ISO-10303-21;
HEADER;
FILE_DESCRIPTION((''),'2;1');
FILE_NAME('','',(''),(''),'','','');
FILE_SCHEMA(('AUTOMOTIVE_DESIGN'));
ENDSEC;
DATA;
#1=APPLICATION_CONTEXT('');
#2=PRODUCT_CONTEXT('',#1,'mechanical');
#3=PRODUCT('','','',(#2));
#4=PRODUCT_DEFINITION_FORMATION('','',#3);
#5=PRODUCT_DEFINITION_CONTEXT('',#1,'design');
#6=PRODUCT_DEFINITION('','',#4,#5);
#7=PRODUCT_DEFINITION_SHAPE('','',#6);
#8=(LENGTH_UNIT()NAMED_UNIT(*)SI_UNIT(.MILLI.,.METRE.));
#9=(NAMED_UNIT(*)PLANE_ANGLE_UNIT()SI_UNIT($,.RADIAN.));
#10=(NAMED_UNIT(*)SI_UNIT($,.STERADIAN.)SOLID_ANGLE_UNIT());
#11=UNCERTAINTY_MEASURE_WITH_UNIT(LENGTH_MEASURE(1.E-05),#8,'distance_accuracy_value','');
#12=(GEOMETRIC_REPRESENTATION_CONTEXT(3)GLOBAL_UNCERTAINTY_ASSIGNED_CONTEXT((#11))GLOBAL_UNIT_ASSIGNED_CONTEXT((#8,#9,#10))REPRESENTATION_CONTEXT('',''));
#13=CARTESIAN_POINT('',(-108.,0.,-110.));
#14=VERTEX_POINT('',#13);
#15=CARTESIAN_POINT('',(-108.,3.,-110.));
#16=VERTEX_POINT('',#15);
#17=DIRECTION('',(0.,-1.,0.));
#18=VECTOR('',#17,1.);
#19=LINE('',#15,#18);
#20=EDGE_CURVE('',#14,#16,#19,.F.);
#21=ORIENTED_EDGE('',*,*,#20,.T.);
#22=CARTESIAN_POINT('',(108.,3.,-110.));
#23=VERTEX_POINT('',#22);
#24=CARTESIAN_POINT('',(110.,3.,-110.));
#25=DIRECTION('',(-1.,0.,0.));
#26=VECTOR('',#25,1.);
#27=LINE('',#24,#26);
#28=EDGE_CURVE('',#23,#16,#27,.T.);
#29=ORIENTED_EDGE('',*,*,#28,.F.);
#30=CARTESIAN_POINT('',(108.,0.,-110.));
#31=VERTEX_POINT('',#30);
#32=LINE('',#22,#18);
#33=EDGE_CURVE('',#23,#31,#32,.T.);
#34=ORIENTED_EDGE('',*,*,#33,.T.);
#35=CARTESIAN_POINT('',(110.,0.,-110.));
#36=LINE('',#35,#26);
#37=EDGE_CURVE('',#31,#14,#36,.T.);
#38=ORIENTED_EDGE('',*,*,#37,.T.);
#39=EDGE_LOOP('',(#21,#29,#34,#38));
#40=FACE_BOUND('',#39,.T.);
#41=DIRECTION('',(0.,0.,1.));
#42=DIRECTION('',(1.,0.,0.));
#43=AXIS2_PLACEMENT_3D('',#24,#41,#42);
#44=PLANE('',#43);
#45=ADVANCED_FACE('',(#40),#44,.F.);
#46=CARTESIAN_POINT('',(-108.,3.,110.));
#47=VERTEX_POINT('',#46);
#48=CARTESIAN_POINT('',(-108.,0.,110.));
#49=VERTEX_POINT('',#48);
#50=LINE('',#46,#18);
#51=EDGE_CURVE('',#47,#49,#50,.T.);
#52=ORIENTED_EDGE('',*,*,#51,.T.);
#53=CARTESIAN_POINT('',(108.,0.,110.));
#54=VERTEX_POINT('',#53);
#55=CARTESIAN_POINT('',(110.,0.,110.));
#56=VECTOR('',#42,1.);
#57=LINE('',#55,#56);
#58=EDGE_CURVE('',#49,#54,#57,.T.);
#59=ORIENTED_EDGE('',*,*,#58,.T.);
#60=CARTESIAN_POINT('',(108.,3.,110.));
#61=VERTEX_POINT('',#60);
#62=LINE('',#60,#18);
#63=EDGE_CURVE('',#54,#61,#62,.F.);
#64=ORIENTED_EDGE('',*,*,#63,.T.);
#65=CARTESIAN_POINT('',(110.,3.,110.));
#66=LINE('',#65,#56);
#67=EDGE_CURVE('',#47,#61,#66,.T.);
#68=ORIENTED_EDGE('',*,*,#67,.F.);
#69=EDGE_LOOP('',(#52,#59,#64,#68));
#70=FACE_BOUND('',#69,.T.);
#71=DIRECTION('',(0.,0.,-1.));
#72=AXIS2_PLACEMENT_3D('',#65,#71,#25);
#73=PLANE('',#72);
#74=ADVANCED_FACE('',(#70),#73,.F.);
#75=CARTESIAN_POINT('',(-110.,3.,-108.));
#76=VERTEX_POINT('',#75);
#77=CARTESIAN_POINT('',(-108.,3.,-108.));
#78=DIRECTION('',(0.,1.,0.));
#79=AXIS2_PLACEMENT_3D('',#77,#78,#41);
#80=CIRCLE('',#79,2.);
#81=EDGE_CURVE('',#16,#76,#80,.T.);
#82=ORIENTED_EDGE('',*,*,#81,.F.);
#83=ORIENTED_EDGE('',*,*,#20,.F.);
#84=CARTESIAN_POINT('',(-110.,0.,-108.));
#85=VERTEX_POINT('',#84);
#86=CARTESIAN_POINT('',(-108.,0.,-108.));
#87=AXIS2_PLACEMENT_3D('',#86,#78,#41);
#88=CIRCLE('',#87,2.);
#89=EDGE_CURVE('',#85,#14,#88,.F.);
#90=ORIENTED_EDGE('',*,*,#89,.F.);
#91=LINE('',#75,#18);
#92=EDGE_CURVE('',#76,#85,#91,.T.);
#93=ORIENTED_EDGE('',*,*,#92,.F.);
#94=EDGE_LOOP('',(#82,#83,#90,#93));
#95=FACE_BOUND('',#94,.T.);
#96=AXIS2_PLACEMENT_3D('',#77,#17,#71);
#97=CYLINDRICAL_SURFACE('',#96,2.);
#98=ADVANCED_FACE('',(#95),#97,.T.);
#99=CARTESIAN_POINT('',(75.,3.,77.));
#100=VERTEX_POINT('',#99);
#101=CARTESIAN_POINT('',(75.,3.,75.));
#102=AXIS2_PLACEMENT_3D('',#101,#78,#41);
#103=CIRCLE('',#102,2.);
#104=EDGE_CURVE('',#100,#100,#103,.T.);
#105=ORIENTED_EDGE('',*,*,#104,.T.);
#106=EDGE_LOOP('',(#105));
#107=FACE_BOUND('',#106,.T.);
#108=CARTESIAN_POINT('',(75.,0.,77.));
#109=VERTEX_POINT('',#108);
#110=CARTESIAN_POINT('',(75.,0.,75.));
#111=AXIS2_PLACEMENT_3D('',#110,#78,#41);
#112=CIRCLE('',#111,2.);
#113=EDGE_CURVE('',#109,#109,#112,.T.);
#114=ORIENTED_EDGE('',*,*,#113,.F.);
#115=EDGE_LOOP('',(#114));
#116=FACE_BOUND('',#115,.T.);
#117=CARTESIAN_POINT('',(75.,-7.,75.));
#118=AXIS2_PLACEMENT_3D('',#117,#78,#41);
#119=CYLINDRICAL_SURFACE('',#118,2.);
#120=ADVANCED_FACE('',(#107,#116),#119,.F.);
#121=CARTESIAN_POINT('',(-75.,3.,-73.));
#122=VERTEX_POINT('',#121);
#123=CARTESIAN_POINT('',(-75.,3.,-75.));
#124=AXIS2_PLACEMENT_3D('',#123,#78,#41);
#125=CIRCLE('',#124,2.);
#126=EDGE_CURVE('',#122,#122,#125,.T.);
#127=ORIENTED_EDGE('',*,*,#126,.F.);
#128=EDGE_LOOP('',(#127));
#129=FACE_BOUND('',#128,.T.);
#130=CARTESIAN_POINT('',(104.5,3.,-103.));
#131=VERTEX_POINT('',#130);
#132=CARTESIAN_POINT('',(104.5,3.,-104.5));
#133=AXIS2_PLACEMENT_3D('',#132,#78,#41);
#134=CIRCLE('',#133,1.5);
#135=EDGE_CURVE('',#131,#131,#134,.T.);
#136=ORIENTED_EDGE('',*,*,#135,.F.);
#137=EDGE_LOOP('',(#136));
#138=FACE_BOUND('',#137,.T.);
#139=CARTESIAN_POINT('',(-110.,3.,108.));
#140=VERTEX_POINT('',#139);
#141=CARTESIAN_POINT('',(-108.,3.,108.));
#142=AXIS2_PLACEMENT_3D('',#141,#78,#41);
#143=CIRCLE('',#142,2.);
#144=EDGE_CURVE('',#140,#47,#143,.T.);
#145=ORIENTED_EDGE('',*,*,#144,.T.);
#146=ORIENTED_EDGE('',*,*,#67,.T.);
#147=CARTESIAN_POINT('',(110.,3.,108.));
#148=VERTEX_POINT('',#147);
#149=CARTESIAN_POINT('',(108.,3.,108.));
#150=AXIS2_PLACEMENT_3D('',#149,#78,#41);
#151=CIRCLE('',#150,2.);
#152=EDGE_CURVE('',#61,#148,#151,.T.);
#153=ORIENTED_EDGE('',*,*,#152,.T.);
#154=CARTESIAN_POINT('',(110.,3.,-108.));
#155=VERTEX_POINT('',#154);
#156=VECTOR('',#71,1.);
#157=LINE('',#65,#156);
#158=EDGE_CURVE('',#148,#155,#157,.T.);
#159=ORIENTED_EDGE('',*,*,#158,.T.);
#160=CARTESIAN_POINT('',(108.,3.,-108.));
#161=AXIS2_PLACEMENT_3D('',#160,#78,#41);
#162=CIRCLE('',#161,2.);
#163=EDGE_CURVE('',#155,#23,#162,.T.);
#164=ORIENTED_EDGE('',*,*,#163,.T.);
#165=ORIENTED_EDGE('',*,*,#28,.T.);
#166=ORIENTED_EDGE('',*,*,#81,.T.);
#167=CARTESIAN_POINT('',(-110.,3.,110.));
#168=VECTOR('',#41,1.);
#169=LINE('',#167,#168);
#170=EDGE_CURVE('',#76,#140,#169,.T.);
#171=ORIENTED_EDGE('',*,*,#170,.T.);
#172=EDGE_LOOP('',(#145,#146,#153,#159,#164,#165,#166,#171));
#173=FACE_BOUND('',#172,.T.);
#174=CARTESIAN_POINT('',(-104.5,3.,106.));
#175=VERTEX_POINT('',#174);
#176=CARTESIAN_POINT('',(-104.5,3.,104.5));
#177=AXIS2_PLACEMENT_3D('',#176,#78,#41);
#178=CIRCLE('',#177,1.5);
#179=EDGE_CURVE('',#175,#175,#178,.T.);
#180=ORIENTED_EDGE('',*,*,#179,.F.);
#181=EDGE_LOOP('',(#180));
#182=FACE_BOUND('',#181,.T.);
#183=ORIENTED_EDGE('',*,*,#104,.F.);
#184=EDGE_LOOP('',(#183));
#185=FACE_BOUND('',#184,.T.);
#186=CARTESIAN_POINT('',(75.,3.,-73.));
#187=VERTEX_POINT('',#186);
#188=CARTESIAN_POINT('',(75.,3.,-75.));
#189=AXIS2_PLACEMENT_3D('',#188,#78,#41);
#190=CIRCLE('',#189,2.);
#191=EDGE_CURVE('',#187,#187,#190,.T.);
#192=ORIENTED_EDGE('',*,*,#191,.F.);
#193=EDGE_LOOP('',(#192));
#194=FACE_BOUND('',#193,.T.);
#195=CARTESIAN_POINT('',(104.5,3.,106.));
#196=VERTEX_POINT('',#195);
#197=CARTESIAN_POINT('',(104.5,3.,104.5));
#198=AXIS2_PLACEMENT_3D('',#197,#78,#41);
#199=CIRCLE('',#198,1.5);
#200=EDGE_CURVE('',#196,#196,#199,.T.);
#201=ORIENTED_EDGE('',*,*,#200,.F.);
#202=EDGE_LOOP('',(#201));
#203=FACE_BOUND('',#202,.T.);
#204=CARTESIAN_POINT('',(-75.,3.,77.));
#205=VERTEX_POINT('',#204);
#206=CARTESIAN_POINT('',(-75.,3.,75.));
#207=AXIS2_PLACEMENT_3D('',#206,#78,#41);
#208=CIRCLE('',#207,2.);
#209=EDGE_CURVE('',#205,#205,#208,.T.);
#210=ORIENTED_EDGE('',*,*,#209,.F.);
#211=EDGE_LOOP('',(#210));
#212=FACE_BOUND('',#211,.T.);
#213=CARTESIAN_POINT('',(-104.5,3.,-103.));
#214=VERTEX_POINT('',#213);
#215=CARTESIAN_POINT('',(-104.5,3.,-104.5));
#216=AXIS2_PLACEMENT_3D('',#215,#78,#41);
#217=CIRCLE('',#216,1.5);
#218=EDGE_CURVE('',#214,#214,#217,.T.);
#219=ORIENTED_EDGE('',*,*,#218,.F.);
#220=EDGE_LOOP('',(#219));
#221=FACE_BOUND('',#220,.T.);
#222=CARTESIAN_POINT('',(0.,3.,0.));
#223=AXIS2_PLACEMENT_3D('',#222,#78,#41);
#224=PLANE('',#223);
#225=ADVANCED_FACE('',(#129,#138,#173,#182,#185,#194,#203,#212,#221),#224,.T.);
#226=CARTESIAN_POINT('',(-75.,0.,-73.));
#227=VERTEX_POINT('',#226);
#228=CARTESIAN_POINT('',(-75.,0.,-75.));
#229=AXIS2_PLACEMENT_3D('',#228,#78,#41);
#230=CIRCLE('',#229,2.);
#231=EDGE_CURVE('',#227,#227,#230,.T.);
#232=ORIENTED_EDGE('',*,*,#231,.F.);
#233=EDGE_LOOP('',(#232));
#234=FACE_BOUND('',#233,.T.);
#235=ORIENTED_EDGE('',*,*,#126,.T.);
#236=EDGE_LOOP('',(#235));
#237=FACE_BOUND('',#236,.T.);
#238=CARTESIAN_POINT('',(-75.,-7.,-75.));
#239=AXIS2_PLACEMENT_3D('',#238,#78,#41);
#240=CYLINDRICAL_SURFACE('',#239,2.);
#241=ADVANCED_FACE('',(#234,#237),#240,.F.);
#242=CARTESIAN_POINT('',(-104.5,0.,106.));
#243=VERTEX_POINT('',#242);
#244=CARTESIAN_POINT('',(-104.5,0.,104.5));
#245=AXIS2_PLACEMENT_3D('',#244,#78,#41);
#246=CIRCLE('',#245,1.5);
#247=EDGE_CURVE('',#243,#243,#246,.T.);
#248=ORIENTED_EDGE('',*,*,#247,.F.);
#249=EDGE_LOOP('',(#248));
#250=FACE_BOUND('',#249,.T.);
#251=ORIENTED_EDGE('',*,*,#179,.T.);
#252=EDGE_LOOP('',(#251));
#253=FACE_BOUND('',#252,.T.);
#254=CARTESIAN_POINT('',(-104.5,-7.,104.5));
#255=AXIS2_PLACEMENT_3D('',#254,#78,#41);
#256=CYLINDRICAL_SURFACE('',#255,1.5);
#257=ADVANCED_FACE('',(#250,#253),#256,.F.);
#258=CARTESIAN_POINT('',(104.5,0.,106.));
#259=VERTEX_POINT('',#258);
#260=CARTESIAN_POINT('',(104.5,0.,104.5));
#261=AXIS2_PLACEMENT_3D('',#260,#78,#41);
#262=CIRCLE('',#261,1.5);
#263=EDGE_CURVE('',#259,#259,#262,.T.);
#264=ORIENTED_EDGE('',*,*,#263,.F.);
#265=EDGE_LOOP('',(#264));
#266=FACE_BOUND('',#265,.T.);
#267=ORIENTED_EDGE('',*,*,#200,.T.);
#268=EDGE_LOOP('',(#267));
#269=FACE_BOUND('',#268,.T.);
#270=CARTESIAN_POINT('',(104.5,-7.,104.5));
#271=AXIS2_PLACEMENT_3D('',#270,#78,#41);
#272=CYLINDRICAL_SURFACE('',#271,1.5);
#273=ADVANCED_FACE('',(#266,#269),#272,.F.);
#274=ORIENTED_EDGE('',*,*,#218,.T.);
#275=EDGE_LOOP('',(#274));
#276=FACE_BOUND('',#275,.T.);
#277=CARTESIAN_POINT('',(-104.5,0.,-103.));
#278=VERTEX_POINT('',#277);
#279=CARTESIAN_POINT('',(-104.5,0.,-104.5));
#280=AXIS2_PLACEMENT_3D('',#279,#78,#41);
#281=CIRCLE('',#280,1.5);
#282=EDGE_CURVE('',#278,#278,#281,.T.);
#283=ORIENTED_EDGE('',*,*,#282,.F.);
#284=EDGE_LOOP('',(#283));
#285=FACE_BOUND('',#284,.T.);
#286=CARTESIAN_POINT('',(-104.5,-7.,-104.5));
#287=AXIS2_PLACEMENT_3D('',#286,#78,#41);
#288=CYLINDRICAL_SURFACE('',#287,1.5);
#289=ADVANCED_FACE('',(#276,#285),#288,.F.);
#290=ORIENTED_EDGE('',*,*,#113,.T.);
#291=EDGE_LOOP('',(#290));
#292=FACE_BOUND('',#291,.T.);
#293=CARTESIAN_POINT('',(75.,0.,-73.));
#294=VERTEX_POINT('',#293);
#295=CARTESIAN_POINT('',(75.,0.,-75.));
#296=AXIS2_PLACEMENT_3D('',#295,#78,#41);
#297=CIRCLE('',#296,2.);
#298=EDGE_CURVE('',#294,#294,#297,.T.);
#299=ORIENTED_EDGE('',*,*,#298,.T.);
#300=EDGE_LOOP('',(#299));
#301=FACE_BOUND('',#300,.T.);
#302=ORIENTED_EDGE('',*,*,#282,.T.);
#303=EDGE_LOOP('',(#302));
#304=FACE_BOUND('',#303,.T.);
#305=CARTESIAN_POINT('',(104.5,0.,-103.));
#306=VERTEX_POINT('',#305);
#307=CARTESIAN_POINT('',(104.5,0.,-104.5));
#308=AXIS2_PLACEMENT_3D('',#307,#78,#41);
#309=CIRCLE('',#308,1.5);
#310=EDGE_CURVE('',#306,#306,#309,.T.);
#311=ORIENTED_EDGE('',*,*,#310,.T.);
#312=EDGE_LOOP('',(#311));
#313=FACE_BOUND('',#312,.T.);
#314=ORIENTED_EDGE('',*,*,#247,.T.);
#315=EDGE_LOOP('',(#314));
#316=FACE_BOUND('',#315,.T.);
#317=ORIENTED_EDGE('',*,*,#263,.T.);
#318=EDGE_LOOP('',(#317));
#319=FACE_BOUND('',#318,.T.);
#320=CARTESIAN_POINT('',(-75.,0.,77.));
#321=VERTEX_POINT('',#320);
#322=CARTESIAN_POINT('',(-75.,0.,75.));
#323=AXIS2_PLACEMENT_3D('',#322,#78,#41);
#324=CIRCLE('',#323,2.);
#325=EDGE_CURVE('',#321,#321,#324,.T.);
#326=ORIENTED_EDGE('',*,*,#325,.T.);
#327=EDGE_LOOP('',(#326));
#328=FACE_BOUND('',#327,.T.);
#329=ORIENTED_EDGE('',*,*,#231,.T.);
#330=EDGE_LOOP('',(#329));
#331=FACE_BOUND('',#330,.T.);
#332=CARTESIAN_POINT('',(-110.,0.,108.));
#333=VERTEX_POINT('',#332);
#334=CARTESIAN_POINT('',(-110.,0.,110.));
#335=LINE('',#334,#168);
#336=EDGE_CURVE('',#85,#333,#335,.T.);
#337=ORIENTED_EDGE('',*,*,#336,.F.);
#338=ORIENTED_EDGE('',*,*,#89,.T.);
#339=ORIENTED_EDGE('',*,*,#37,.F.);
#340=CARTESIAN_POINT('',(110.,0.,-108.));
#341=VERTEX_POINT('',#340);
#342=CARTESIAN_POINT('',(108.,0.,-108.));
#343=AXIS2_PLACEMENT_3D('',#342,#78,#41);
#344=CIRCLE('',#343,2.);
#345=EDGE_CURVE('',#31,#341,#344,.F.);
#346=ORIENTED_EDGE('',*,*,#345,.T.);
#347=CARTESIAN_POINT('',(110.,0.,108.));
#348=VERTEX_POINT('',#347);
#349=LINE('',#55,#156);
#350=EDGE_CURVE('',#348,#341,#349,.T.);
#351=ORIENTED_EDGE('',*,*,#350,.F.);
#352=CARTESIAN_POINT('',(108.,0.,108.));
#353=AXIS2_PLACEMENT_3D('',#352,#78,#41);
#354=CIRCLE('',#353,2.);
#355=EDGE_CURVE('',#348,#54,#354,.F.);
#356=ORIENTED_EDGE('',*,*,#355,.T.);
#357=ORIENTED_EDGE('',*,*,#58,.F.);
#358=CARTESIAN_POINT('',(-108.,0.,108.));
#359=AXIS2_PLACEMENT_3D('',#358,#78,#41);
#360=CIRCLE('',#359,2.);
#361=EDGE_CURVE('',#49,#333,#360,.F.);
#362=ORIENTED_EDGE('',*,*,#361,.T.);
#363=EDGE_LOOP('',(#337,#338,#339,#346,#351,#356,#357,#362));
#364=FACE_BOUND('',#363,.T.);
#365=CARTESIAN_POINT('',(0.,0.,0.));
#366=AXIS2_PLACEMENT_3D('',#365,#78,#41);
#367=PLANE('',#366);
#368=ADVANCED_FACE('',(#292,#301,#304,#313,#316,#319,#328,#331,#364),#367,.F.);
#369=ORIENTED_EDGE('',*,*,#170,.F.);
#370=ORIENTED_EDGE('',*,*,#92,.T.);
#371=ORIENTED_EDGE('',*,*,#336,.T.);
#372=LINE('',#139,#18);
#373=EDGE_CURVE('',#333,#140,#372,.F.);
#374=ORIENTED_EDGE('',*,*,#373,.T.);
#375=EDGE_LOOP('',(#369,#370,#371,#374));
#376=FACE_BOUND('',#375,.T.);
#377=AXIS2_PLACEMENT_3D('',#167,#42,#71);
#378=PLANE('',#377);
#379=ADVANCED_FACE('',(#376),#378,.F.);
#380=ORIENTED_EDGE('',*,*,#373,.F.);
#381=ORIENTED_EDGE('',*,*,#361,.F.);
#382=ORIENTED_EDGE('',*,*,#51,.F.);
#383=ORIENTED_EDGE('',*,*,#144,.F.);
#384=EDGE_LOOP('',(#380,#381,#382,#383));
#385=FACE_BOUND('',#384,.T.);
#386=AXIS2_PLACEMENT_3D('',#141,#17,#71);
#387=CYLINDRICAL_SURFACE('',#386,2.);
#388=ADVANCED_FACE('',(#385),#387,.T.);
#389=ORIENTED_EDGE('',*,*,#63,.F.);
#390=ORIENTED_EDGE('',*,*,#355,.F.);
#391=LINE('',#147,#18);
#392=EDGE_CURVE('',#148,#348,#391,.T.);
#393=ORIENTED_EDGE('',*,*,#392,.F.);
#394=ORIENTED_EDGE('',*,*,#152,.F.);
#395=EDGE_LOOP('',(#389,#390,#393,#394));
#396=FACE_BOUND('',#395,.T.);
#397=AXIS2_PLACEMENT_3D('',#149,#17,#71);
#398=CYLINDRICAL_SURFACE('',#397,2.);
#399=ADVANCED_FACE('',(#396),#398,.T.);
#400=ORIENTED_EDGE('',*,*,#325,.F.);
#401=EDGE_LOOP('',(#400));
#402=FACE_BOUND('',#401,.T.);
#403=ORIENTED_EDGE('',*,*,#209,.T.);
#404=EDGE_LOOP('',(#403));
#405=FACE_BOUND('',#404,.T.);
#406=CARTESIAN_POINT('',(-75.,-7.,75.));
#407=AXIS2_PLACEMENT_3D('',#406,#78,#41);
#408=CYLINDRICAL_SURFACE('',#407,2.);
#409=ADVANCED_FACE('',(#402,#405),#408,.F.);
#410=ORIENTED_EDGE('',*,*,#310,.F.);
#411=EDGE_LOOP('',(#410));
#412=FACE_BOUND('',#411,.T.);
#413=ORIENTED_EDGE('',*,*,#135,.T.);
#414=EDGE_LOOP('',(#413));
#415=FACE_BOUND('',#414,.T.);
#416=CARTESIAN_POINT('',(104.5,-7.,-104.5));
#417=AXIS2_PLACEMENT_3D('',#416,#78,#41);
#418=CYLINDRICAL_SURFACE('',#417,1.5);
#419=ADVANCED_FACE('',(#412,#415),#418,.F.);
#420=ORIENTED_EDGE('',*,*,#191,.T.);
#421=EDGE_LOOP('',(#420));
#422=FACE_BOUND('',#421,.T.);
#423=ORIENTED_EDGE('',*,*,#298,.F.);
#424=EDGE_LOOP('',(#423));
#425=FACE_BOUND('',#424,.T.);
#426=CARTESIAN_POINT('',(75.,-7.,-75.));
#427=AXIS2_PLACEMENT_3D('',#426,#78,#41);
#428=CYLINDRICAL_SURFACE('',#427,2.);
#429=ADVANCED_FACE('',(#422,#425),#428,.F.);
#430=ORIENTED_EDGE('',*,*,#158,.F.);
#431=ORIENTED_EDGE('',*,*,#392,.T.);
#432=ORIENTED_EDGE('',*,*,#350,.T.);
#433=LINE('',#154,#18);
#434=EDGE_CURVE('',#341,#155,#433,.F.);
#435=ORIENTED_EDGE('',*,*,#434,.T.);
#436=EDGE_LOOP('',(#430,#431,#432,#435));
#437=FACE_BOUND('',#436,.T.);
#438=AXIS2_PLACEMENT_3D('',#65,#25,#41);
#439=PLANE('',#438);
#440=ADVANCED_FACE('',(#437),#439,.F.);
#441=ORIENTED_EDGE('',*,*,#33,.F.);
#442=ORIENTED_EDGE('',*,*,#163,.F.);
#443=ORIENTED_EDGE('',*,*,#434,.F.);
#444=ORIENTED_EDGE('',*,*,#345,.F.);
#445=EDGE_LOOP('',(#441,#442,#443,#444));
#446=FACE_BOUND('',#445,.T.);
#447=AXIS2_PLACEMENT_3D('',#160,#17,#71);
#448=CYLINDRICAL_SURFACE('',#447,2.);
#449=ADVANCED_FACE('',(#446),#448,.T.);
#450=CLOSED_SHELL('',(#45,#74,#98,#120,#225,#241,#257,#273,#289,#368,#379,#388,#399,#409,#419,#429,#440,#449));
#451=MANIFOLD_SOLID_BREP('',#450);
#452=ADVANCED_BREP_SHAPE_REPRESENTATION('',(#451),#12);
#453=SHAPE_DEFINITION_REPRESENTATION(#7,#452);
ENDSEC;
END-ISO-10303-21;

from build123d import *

# Parameters (mm, degrees)
SKETCH1_W           = 220
SKETCH1_H           = 220
BOSS_EXTRUDE1_DEPTH = 3
SKETCH3_R           = 2
SKETCH3_R_2         = 1.5
CUT_EXTRUDE1_DEPTH  = 10
FILLET1_R           = 2


with BuildPart() as part:
    # Sketch1 → Boss-Extrude1 (new body)
    with BuildSketch(Plane(origin=(0, 0, 0), x_dir=(1, 0, 0), z_dir=(0, 1, 0))):
        Rectangle(SKETCH1_W, SKETCH1_H)
    extrude(amount=BOSS_EXTRUDE1_DEPTH)

    # Sketch3 → Cut-Extrude1 (cut)
    with BuildSketch(Plane(origin=(0, 3, 0), x_dir=(1, 0, 0), z_dir=(0, 1, 0))):
        with Locations(Location((-75, 75, 0), (0, 0, 270))):
            Circle(SKETCH3_R)
        with Locations(Location((75, 75, 0), (0, 0, 270))):
            Circle(SKETCH3_R)
        with Locations(Location((75, -75, 0), (0, 0, 270))):
            Circle(SKETCH3_R)
        with Locations(Location((-75, -75, 0), (0, 0, 270))):
            Circle(SKETCH3_R)
        with Locations(Location((-104.5, 104.5, 0), (0, 0, 270))):
            Circle(SKETCH3_R_2)
        with Locations(Location((104.5, 104.5, 0), (0, 0, 270))):
            Circle(SKETCH3_R_2)
        with Locations(Location((104.5, -104.5, 0), (0, 0, 270))):
            Circle(SKETCH3_R_2)
        with Locations(Location((-104.5, -104.5, 0), (0, 0, 270))):
            Circle(SKETCH3_R_2)
    extrude(amount=-CUT_EXTRUDE1_DEPTH, mode=Mode.SUBTRACT)

    # Fillet1
    fillet1_edges = [part.edges().sort_by_distance(p)[0] for p in [
        (-110, 1.5, -110),
        (110, 1.5, -110),
        (110, 1.5, 110),
        (-110, 1.5, 110),
    ]]
    fillet(fillet1_edges, radius=FILLET1_R)


solid = part.part
